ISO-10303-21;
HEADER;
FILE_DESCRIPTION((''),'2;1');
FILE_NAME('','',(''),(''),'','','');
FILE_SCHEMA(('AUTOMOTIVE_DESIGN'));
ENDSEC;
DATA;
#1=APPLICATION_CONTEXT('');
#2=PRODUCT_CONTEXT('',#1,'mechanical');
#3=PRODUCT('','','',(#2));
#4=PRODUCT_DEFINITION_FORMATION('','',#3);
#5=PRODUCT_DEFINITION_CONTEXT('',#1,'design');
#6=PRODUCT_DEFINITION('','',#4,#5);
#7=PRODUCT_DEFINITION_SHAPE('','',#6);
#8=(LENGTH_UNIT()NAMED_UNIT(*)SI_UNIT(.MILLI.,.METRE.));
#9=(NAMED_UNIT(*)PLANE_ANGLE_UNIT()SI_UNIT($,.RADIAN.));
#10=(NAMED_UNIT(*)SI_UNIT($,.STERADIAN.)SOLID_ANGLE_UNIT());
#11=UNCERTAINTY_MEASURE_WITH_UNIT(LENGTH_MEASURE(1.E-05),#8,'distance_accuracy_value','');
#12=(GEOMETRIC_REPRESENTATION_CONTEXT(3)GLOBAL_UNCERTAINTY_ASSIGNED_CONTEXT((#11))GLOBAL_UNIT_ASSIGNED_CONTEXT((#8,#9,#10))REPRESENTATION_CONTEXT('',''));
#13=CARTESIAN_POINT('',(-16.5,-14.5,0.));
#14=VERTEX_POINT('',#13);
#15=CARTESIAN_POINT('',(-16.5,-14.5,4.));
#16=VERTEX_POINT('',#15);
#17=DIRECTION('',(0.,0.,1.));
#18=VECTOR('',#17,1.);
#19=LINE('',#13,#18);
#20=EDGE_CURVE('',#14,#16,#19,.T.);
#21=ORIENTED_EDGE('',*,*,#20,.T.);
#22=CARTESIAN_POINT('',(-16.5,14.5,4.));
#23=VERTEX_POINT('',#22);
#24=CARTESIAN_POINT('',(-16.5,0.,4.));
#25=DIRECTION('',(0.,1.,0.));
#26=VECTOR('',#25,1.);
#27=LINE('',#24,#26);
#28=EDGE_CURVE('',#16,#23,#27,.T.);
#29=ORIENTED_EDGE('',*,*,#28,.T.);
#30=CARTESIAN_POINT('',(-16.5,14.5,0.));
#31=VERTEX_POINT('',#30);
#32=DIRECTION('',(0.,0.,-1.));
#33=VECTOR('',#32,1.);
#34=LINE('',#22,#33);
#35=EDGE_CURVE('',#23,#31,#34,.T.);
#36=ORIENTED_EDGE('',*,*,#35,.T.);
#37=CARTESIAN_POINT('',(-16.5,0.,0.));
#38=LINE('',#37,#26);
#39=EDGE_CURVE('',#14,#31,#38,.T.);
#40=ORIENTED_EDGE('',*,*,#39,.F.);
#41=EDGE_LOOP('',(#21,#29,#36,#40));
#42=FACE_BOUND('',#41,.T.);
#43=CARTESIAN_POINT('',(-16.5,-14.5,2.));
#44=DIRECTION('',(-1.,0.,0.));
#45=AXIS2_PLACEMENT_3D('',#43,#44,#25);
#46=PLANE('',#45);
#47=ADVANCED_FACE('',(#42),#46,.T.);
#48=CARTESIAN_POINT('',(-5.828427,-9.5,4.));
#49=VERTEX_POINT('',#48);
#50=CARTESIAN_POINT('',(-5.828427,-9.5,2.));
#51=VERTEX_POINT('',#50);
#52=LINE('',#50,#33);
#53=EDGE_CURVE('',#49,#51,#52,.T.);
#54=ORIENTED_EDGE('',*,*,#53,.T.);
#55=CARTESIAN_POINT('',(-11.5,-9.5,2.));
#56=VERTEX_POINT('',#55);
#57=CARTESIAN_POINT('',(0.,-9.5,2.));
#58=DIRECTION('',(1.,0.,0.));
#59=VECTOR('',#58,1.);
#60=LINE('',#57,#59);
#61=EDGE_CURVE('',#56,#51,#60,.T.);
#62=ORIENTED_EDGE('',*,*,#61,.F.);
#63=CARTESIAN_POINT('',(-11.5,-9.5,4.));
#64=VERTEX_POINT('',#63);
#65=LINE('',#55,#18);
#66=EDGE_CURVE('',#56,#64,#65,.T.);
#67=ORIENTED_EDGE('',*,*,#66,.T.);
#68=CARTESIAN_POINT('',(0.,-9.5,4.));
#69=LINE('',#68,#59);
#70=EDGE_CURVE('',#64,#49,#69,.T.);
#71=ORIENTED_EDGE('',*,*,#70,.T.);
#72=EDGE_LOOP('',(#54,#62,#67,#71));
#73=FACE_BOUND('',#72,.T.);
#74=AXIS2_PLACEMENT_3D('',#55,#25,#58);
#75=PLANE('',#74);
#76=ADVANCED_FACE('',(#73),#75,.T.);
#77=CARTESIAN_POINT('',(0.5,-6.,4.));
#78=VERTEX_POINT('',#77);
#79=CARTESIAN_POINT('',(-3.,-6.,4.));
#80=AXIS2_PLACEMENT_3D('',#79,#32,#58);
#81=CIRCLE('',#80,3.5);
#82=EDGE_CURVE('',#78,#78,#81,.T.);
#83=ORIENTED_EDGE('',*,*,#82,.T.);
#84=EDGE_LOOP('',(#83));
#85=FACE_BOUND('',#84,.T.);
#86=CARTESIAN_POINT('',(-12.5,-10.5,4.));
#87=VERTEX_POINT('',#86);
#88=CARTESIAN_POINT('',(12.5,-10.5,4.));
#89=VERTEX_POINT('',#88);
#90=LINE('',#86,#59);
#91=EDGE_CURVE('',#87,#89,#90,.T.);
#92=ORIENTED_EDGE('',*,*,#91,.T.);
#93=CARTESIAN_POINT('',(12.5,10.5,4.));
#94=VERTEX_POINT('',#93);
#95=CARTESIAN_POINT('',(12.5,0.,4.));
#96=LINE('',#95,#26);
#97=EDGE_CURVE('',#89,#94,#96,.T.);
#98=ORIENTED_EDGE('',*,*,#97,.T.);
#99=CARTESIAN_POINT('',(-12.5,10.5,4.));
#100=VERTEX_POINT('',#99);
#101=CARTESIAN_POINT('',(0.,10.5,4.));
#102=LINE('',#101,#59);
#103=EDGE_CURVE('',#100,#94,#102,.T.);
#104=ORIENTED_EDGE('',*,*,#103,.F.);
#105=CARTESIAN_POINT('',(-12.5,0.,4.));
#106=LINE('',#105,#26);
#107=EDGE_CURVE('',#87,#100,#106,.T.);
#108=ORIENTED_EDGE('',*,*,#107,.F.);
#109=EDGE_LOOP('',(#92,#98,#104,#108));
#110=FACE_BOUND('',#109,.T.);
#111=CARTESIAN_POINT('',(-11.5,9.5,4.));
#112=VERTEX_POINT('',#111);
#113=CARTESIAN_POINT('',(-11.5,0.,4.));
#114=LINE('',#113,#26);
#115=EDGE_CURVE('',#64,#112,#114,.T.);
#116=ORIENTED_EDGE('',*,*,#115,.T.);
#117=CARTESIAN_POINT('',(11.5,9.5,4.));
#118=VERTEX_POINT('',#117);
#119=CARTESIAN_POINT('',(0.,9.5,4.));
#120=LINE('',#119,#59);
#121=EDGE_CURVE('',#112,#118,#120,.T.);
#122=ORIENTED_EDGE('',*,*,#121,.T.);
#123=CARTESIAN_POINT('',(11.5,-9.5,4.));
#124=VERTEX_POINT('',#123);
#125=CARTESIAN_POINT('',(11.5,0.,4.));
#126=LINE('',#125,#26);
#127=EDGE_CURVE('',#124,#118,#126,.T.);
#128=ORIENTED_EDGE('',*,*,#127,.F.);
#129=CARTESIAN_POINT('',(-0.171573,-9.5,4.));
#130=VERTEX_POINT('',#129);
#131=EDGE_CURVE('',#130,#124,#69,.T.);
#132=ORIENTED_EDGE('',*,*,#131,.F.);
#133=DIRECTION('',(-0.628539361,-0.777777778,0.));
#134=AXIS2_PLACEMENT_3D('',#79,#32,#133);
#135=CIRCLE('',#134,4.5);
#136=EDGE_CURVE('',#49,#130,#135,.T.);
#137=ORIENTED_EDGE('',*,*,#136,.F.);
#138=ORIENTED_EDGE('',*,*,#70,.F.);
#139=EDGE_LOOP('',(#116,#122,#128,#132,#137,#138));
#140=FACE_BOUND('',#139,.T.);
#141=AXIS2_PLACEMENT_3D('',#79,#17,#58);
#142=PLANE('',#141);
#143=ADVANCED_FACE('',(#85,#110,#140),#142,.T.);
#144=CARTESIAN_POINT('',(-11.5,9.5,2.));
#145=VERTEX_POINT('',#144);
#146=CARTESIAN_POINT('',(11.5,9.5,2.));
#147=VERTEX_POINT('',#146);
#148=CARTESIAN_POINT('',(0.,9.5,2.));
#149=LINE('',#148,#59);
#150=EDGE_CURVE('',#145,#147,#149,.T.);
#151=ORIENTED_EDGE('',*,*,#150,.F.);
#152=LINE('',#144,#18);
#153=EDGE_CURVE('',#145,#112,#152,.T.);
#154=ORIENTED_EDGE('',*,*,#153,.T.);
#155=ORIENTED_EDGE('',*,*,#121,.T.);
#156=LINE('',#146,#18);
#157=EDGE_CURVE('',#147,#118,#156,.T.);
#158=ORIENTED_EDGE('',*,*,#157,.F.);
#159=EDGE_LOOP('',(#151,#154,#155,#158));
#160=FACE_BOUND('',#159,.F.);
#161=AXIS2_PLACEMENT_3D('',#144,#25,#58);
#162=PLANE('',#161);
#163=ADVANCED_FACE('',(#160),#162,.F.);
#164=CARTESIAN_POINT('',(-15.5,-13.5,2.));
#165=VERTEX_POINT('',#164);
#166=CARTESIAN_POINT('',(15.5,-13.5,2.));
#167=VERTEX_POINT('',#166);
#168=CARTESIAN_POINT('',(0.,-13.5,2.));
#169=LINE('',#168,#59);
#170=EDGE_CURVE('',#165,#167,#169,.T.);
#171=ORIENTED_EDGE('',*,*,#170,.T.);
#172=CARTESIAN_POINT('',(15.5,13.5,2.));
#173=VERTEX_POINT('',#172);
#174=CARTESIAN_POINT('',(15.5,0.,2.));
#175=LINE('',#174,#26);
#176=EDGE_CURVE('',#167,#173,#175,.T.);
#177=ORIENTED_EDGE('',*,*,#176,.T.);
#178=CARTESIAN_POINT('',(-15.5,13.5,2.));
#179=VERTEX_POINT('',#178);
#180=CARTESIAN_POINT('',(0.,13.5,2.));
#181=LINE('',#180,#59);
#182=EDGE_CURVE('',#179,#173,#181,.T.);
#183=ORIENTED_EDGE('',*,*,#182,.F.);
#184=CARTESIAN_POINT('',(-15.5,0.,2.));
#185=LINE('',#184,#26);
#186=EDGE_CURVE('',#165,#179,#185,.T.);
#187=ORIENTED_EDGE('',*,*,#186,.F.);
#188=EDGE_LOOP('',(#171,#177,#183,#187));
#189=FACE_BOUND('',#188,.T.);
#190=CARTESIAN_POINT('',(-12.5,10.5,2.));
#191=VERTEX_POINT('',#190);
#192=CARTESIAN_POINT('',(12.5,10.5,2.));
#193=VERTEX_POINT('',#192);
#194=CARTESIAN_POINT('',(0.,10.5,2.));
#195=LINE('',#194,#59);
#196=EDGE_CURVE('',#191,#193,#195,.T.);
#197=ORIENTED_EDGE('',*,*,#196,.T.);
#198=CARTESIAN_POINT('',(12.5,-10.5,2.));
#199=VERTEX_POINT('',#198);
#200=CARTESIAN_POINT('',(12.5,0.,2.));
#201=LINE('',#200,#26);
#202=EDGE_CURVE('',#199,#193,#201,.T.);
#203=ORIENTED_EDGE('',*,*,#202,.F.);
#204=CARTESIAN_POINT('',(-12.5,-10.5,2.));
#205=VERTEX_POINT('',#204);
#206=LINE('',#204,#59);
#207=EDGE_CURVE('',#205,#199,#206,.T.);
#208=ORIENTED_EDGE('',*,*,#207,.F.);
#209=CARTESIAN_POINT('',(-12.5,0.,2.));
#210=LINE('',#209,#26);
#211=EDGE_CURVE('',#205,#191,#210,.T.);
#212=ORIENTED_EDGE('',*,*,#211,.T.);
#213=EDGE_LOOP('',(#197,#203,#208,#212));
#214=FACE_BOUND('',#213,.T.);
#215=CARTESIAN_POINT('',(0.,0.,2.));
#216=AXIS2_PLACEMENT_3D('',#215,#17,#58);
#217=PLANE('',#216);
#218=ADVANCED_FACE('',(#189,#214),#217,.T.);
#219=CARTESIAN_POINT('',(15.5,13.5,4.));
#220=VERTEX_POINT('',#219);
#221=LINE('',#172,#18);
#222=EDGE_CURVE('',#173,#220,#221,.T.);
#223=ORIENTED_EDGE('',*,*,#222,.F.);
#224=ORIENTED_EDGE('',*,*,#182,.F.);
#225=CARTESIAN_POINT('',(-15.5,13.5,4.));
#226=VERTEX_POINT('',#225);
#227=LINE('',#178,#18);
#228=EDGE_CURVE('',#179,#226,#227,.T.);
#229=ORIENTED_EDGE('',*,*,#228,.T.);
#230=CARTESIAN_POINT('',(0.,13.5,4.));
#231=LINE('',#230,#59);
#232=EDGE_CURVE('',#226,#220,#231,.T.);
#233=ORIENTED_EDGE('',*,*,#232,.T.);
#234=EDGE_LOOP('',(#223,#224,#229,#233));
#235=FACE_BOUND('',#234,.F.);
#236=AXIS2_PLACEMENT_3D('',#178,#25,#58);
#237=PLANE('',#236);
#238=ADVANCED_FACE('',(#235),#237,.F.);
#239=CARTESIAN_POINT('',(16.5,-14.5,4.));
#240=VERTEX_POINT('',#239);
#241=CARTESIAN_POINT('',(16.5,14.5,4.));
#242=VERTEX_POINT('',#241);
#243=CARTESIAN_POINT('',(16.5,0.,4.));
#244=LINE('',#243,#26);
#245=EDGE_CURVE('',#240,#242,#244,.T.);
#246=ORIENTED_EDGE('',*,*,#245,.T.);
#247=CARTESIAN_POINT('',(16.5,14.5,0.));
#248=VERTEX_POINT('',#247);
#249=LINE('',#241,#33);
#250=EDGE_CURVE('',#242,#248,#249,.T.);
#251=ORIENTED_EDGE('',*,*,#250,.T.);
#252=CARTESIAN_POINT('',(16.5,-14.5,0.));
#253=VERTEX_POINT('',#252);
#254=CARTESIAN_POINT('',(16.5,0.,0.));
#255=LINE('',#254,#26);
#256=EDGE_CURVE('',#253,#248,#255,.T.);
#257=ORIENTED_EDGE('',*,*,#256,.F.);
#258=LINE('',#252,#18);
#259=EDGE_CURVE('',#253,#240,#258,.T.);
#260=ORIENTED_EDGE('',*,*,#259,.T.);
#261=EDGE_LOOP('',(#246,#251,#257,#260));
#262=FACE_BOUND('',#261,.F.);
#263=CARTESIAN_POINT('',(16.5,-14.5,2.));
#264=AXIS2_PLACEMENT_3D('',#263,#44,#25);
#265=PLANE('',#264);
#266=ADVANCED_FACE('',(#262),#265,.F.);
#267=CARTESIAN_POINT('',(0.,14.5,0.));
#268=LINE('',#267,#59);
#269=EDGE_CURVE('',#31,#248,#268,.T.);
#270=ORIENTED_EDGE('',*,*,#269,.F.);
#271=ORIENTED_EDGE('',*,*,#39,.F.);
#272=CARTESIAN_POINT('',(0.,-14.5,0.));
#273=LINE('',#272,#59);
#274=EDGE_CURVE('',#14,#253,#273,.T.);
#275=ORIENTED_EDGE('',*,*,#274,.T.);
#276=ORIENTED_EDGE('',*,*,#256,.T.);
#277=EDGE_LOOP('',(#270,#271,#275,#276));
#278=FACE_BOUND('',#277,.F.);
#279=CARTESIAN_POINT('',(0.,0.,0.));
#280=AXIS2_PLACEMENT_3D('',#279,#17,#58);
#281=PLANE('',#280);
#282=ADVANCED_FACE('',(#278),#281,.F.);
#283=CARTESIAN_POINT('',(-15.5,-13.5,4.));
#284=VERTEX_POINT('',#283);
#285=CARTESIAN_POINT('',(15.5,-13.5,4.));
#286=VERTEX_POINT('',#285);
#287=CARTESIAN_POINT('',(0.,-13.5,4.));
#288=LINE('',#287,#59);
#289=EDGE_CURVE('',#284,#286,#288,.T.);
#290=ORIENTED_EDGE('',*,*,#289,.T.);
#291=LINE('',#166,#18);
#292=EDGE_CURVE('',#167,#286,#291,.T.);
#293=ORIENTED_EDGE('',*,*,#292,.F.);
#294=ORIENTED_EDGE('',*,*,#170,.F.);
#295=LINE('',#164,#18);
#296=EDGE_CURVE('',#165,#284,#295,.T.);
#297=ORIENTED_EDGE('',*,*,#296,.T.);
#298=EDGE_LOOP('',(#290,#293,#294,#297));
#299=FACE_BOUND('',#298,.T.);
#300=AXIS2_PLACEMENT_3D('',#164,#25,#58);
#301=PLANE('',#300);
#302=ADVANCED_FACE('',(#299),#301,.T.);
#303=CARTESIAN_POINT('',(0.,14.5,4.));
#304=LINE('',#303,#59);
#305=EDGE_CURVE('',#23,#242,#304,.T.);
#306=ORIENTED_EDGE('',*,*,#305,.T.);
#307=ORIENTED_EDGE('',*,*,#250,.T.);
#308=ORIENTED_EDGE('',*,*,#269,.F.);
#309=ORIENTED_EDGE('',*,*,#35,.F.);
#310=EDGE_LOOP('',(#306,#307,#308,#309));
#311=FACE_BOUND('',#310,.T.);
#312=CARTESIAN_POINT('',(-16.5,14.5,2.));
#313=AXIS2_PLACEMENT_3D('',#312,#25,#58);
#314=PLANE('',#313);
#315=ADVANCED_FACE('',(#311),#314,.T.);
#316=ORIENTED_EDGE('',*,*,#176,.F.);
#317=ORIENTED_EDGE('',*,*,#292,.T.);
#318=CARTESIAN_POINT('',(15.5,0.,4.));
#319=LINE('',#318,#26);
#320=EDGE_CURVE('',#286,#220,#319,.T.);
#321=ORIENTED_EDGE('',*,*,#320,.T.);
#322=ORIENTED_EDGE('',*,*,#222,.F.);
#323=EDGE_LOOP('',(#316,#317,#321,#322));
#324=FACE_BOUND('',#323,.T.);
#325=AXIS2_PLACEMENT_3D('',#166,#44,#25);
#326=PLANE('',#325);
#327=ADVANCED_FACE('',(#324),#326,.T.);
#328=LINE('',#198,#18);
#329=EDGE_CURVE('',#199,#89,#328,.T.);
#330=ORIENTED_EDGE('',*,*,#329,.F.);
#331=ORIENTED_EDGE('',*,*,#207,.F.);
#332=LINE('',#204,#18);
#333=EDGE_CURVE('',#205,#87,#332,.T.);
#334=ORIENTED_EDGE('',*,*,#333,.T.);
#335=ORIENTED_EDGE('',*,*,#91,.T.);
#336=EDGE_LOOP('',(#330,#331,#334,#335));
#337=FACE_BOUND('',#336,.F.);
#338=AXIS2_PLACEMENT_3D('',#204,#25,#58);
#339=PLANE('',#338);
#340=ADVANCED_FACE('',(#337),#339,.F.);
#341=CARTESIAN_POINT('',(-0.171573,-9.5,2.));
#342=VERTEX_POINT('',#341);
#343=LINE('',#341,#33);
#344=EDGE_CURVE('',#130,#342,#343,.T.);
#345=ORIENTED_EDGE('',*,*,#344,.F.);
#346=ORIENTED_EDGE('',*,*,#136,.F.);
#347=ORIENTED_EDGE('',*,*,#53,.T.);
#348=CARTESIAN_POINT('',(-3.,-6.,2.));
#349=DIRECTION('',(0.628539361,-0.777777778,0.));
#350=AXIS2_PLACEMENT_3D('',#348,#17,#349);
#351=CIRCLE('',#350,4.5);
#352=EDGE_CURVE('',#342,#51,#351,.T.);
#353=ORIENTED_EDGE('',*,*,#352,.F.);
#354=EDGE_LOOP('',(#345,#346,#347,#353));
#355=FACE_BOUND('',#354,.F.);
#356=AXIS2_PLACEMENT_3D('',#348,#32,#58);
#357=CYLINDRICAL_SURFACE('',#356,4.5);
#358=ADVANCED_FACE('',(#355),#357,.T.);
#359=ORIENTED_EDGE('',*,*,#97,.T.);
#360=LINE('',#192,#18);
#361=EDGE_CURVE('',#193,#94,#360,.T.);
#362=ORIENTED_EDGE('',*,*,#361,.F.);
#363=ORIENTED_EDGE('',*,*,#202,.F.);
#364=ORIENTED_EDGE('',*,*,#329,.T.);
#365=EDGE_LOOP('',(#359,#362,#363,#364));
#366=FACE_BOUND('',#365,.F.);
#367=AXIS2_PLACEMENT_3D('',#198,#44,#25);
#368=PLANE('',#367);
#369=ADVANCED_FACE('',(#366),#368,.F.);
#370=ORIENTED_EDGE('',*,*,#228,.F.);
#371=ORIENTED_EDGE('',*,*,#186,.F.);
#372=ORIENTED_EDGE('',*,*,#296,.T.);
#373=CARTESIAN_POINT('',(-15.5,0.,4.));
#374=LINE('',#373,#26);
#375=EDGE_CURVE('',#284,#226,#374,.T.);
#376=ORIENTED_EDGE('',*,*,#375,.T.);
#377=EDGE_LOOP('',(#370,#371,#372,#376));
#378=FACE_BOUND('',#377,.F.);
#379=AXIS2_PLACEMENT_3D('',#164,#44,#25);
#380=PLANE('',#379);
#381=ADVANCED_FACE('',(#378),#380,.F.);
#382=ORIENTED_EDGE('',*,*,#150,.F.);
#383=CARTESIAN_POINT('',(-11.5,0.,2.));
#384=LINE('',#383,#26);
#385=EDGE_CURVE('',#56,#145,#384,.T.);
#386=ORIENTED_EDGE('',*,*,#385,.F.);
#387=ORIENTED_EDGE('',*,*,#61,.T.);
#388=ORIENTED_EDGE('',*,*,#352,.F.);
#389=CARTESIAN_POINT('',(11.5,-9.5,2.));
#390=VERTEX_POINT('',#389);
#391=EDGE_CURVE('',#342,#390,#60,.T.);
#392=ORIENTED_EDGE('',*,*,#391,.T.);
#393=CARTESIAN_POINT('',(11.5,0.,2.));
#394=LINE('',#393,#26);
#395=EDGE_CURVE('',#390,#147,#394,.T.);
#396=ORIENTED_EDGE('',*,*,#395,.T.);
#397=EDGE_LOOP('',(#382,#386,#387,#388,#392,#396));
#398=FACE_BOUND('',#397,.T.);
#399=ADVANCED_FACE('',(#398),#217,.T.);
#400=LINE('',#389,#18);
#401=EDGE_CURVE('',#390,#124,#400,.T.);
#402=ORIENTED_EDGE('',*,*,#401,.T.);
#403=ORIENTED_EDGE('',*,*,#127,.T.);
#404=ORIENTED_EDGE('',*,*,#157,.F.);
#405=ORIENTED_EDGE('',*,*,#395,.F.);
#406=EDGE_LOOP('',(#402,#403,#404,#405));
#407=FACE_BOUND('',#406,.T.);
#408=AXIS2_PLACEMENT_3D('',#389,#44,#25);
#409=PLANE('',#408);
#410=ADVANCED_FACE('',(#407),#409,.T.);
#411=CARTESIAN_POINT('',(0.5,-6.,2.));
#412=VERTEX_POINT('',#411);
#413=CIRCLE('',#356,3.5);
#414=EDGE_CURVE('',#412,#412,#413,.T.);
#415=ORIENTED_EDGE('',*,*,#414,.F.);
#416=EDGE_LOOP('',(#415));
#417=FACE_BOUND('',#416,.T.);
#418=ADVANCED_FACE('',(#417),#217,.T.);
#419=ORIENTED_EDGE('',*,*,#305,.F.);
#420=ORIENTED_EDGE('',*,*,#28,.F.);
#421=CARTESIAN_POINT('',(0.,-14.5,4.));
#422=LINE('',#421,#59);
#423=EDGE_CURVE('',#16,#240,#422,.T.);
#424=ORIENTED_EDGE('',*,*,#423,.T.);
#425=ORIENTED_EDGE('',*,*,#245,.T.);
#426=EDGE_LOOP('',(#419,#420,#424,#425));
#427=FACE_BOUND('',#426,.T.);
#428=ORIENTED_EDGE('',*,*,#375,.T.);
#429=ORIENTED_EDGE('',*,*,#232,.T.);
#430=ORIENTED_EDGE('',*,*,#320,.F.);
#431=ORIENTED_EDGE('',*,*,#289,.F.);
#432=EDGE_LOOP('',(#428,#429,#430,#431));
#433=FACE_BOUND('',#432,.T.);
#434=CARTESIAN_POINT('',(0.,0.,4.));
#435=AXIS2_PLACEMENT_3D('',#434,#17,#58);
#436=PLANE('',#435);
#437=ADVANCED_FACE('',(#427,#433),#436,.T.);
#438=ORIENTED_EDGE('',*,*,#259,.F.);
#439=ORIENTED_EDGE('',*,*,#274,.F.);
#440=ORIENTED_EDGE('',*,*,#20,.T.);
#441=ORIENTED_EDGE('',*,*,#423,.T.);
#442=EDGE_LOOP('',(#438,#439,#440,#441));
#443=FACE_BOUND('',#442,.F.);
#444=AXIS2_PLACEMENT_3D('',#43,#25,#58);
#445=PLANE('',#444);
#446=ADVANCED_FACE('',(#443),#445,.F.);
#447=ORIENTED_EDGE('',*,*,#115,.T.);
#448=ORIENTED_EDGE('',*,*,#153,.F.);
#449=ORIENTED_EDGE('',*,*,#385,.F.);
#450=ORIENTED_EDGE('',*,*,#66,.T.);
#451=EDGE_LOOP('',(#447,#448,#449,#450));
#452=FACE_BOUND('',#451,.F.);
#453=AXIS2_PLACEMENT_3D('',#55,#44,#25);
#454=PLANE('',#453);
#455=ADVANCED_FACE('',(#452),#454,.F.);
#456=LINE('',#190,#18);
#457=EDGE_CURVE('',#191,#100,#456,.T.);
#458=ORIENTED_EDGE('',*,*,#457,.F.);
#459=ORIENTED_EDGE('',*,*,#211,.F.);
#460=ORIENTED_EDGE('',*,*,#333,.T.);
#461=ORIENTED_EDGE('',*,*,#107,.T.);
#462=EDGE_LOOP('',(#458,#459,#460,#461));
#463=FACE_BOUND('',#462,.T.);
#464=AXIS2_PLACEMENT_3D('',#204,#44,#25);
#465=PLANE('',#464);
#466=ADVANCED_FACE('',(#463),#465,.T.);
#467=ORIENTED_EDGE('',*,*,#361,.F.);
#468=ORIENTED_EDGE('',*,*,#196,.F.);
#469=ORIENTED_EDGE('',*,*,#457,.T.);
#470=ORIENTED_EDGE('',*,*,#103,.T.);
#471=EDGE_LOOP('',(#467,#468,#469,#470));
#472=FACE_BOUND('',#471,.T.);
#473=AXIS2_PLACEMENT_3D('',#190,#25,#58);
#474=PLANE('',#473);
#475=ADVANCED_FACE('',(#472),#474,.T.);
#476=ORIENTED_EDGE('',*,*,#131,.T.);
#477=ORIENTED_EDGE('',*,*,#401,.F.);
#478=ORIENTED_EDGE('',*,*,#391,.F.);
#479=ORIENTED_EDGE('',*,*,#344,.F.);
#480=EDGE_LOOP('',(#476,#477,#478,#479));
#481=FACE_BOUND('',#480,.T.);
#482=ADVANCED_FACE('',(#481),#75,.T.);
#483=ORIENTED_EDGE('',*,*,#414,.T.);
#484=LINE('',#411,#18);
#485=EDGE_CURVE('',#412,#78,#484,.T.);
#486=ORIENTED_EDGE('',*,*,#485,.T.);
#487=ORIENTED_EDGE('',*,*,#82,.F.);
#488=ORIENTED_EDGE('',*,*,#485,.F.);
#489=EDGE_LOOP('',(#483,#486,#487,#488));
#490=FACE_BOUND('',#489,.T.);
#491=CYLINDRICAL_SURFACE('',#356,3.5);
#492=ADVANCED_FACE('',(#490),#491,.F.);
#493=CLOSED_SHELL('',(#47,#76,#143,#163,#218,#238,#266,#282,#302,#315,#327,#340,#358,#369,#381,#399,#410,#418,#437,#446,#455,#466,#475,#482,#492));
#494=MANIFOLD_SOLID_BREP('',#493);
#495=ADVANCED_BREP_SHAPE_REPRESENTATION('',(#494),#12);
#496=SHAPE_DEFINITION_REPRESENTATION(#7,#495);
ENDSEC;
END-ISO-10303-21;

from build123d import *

# Parameters (mm, degrees)
F0_W     = 33
F0_H     = 29
F1_DEPTH = 2
F2_W     = 33
F2_H     = 29
F2_W_2   = 31
F2_H_2   = 27
F3_DEPTH = 2
F4_W     = 25
F4_H     = 21
F4_W_2   = 23
F4_H_2   = 19
F5_DEPTH = 2
F6_R     = 4.5
F6_R_2   = 3.5
F7_DEPTH = 2


with BuildPart() as f1:
    # F0 (on Top) → F1 (new body)
    with BuildSketch(Plane.XY):
        Rectangle(F0_W, F0_H)
    extrude(amount=F1_DEPTH)

    # F2 (on face) → F3 (join)
    with BuildSketch(Plane.XY.offset(2)):
        Rectangle(F2_W, F2_H)
        Rectangle(F2_W_2, F2_H_2, mode=Mode.SUBTRACT)
    extrude(amount=F3_DEPTH)

    # F4 (on face) → F5 (join)
    with BuildSketch(Plane.XY.offset(2)):
        Rectangle(F4_W, F4_H)
        Rectangle(F4_W_2, F4_H_2, mode=Mode.SUBTRACT)
    extrude(amount=F5_DEPTH)

    # F6 (on face) → F7 (join)
    with BuildSketch(Plane.XY.offset(2)):
        with Locations((-3, -6)):
            Circle(F6_R)
        with Locations((-3, -6)):
            Circle(F6_R_2, mode=Mode.SUBTRACT)
    extrude(amount=F7_DEPTH)


solid = f1.part
